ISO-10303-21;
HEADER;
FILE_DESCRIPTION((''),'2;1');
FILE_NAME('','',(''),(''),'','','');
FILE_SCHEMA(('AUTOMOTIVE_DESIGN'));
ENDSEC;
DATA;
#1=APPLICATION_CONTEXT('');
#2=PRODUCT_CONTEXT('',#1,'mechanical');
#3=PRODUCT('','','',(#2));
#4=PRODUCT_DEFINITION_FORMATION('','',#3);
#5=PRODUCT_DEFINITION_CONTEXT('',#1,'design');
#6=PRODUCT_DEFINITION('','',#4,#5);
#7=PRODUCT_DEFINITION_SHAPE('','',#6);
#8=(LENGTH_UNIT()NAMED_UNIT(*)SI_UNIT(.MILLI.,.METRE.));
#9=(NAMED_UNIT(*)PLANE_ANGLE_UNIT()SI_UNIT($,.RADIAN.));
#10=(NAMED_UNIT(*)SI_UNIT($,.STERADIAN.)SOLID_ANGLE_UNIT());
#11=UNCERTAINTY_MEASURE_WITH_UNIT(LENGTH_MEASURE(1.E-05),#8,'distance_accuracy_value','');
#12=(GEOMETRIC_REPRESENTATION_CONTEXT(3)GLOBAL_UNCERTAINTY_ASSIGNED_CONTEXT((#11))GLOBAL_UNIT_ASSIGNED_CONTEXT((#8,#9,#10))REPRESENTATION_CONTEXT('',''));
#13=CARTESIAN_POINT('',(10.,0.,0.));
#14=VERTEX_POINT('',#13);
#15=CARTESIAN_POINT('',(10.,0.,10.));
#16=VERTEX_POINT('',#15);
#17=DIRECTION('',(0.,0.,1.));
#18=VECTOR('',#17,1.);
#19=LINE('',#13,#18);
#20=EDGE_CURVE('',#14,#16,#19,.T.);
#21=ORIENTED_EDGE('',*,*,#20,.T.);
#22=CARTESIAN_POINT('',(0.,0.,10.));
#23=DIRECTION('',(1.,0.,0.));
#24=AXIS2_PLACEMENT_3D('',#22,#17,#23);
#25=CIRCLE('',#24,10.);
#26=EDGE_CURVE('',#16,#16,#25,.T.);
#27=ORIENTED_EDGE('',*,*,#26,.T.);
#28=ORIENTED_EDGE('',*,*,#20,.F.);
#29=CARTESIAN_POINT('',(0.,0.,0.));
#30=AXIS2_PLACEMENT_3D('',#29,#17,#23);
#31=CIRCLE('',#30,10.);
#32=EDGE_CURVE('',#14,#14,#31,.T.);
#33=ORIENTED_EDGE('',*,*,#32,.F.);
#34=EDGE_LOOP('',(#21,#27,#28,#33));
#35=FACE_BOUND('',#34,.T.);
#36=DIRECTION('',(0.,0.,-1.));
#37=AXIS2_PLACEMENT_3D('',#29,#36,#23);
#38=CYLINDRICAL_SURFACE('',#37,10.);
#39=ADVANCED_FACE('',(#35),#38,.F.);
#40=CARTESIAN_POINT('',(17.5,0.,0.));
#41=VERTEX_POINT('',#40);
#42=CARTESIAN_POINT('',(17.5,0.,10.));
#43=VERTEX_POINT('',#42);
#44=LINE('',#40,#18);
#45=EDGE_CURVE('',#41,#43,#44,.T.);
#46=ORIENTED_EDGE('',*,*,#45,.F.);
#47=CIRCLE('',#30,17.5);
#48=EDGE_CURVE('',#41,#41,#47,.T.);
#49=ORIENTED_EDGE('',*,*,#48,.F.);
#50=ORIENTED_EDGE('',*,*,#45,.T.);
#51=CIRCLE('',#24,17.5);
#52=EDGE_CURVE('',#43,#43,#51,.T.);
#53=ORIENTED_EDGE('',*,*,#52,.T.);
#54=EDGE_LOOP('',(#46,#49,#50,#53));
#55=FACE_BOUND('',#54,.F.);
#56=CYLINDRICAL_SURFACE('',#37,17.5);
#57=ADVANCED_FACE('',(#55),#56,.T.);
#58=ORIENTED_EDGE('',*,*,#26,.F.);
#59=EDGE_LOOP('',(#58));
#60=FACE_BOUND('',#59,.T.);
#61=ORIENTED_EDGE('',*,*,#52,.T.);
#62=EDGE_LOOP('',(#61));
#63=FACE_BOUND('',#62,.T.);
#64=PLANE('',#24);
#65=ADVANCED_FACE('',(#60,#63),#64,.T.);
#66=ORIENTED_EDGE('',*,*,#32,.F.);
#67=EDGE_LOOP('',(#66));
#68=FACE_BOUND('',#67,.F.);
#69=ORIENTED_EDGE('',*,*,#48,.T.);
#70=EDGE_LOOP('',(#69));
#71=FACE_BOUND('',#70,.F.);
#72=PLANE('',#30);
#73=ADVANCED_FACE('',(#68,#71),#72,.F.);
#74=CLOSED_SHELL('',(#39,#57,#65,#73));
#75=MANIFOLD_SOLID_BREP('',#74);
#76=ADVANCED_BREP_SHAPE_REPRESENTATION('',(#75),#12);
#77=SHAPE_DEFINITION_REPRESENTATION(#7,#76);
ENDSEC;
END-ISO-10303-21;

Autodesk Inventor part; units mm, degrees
ref_plane "YZ Plane" through (0, 0, 0) normal (1, 0, 0) x (0, 1, 0)
ref_plane "XZ Plane" through (0, 0, 0) normal (0, 1, 0) x (-1, 0, 0)
ref_plane "XY Plane" through (0, 0, 0) normal (0, 0, 1) x (1, 0, 0)
sketch "Эскиз1" plane through (0, 0, 0) normal (0, 0, 1) x (1, 0, 0)
  circle A0 centre (0, 0) radius 10
  circle A1 centre (0, 0) radius 17.5
  dimension "d0" = 20
  dimension "d1" = 35
extrude "Выдавливание1" add sketch "Эскиз1" along normal blind 10
equation "\"d0\" = d_main_shaft"
equation "\"tolerance_plazma\" = 0.1"
equation "\"thickness_steel\" = 3"
equation "\"d_main_screw_holes\" = 6.1"
equation "\"d_main_shaft\" = 20"
equation "\"width_flattened_surface\" = 12"
equation "\"thickness_profile_tibea\" = 4"
equation "\"thickness_profile_femur\" = 3"
equation "\"width_shaft_shift\" = 35"
properties part number "bearing_mass" material "Золото"
